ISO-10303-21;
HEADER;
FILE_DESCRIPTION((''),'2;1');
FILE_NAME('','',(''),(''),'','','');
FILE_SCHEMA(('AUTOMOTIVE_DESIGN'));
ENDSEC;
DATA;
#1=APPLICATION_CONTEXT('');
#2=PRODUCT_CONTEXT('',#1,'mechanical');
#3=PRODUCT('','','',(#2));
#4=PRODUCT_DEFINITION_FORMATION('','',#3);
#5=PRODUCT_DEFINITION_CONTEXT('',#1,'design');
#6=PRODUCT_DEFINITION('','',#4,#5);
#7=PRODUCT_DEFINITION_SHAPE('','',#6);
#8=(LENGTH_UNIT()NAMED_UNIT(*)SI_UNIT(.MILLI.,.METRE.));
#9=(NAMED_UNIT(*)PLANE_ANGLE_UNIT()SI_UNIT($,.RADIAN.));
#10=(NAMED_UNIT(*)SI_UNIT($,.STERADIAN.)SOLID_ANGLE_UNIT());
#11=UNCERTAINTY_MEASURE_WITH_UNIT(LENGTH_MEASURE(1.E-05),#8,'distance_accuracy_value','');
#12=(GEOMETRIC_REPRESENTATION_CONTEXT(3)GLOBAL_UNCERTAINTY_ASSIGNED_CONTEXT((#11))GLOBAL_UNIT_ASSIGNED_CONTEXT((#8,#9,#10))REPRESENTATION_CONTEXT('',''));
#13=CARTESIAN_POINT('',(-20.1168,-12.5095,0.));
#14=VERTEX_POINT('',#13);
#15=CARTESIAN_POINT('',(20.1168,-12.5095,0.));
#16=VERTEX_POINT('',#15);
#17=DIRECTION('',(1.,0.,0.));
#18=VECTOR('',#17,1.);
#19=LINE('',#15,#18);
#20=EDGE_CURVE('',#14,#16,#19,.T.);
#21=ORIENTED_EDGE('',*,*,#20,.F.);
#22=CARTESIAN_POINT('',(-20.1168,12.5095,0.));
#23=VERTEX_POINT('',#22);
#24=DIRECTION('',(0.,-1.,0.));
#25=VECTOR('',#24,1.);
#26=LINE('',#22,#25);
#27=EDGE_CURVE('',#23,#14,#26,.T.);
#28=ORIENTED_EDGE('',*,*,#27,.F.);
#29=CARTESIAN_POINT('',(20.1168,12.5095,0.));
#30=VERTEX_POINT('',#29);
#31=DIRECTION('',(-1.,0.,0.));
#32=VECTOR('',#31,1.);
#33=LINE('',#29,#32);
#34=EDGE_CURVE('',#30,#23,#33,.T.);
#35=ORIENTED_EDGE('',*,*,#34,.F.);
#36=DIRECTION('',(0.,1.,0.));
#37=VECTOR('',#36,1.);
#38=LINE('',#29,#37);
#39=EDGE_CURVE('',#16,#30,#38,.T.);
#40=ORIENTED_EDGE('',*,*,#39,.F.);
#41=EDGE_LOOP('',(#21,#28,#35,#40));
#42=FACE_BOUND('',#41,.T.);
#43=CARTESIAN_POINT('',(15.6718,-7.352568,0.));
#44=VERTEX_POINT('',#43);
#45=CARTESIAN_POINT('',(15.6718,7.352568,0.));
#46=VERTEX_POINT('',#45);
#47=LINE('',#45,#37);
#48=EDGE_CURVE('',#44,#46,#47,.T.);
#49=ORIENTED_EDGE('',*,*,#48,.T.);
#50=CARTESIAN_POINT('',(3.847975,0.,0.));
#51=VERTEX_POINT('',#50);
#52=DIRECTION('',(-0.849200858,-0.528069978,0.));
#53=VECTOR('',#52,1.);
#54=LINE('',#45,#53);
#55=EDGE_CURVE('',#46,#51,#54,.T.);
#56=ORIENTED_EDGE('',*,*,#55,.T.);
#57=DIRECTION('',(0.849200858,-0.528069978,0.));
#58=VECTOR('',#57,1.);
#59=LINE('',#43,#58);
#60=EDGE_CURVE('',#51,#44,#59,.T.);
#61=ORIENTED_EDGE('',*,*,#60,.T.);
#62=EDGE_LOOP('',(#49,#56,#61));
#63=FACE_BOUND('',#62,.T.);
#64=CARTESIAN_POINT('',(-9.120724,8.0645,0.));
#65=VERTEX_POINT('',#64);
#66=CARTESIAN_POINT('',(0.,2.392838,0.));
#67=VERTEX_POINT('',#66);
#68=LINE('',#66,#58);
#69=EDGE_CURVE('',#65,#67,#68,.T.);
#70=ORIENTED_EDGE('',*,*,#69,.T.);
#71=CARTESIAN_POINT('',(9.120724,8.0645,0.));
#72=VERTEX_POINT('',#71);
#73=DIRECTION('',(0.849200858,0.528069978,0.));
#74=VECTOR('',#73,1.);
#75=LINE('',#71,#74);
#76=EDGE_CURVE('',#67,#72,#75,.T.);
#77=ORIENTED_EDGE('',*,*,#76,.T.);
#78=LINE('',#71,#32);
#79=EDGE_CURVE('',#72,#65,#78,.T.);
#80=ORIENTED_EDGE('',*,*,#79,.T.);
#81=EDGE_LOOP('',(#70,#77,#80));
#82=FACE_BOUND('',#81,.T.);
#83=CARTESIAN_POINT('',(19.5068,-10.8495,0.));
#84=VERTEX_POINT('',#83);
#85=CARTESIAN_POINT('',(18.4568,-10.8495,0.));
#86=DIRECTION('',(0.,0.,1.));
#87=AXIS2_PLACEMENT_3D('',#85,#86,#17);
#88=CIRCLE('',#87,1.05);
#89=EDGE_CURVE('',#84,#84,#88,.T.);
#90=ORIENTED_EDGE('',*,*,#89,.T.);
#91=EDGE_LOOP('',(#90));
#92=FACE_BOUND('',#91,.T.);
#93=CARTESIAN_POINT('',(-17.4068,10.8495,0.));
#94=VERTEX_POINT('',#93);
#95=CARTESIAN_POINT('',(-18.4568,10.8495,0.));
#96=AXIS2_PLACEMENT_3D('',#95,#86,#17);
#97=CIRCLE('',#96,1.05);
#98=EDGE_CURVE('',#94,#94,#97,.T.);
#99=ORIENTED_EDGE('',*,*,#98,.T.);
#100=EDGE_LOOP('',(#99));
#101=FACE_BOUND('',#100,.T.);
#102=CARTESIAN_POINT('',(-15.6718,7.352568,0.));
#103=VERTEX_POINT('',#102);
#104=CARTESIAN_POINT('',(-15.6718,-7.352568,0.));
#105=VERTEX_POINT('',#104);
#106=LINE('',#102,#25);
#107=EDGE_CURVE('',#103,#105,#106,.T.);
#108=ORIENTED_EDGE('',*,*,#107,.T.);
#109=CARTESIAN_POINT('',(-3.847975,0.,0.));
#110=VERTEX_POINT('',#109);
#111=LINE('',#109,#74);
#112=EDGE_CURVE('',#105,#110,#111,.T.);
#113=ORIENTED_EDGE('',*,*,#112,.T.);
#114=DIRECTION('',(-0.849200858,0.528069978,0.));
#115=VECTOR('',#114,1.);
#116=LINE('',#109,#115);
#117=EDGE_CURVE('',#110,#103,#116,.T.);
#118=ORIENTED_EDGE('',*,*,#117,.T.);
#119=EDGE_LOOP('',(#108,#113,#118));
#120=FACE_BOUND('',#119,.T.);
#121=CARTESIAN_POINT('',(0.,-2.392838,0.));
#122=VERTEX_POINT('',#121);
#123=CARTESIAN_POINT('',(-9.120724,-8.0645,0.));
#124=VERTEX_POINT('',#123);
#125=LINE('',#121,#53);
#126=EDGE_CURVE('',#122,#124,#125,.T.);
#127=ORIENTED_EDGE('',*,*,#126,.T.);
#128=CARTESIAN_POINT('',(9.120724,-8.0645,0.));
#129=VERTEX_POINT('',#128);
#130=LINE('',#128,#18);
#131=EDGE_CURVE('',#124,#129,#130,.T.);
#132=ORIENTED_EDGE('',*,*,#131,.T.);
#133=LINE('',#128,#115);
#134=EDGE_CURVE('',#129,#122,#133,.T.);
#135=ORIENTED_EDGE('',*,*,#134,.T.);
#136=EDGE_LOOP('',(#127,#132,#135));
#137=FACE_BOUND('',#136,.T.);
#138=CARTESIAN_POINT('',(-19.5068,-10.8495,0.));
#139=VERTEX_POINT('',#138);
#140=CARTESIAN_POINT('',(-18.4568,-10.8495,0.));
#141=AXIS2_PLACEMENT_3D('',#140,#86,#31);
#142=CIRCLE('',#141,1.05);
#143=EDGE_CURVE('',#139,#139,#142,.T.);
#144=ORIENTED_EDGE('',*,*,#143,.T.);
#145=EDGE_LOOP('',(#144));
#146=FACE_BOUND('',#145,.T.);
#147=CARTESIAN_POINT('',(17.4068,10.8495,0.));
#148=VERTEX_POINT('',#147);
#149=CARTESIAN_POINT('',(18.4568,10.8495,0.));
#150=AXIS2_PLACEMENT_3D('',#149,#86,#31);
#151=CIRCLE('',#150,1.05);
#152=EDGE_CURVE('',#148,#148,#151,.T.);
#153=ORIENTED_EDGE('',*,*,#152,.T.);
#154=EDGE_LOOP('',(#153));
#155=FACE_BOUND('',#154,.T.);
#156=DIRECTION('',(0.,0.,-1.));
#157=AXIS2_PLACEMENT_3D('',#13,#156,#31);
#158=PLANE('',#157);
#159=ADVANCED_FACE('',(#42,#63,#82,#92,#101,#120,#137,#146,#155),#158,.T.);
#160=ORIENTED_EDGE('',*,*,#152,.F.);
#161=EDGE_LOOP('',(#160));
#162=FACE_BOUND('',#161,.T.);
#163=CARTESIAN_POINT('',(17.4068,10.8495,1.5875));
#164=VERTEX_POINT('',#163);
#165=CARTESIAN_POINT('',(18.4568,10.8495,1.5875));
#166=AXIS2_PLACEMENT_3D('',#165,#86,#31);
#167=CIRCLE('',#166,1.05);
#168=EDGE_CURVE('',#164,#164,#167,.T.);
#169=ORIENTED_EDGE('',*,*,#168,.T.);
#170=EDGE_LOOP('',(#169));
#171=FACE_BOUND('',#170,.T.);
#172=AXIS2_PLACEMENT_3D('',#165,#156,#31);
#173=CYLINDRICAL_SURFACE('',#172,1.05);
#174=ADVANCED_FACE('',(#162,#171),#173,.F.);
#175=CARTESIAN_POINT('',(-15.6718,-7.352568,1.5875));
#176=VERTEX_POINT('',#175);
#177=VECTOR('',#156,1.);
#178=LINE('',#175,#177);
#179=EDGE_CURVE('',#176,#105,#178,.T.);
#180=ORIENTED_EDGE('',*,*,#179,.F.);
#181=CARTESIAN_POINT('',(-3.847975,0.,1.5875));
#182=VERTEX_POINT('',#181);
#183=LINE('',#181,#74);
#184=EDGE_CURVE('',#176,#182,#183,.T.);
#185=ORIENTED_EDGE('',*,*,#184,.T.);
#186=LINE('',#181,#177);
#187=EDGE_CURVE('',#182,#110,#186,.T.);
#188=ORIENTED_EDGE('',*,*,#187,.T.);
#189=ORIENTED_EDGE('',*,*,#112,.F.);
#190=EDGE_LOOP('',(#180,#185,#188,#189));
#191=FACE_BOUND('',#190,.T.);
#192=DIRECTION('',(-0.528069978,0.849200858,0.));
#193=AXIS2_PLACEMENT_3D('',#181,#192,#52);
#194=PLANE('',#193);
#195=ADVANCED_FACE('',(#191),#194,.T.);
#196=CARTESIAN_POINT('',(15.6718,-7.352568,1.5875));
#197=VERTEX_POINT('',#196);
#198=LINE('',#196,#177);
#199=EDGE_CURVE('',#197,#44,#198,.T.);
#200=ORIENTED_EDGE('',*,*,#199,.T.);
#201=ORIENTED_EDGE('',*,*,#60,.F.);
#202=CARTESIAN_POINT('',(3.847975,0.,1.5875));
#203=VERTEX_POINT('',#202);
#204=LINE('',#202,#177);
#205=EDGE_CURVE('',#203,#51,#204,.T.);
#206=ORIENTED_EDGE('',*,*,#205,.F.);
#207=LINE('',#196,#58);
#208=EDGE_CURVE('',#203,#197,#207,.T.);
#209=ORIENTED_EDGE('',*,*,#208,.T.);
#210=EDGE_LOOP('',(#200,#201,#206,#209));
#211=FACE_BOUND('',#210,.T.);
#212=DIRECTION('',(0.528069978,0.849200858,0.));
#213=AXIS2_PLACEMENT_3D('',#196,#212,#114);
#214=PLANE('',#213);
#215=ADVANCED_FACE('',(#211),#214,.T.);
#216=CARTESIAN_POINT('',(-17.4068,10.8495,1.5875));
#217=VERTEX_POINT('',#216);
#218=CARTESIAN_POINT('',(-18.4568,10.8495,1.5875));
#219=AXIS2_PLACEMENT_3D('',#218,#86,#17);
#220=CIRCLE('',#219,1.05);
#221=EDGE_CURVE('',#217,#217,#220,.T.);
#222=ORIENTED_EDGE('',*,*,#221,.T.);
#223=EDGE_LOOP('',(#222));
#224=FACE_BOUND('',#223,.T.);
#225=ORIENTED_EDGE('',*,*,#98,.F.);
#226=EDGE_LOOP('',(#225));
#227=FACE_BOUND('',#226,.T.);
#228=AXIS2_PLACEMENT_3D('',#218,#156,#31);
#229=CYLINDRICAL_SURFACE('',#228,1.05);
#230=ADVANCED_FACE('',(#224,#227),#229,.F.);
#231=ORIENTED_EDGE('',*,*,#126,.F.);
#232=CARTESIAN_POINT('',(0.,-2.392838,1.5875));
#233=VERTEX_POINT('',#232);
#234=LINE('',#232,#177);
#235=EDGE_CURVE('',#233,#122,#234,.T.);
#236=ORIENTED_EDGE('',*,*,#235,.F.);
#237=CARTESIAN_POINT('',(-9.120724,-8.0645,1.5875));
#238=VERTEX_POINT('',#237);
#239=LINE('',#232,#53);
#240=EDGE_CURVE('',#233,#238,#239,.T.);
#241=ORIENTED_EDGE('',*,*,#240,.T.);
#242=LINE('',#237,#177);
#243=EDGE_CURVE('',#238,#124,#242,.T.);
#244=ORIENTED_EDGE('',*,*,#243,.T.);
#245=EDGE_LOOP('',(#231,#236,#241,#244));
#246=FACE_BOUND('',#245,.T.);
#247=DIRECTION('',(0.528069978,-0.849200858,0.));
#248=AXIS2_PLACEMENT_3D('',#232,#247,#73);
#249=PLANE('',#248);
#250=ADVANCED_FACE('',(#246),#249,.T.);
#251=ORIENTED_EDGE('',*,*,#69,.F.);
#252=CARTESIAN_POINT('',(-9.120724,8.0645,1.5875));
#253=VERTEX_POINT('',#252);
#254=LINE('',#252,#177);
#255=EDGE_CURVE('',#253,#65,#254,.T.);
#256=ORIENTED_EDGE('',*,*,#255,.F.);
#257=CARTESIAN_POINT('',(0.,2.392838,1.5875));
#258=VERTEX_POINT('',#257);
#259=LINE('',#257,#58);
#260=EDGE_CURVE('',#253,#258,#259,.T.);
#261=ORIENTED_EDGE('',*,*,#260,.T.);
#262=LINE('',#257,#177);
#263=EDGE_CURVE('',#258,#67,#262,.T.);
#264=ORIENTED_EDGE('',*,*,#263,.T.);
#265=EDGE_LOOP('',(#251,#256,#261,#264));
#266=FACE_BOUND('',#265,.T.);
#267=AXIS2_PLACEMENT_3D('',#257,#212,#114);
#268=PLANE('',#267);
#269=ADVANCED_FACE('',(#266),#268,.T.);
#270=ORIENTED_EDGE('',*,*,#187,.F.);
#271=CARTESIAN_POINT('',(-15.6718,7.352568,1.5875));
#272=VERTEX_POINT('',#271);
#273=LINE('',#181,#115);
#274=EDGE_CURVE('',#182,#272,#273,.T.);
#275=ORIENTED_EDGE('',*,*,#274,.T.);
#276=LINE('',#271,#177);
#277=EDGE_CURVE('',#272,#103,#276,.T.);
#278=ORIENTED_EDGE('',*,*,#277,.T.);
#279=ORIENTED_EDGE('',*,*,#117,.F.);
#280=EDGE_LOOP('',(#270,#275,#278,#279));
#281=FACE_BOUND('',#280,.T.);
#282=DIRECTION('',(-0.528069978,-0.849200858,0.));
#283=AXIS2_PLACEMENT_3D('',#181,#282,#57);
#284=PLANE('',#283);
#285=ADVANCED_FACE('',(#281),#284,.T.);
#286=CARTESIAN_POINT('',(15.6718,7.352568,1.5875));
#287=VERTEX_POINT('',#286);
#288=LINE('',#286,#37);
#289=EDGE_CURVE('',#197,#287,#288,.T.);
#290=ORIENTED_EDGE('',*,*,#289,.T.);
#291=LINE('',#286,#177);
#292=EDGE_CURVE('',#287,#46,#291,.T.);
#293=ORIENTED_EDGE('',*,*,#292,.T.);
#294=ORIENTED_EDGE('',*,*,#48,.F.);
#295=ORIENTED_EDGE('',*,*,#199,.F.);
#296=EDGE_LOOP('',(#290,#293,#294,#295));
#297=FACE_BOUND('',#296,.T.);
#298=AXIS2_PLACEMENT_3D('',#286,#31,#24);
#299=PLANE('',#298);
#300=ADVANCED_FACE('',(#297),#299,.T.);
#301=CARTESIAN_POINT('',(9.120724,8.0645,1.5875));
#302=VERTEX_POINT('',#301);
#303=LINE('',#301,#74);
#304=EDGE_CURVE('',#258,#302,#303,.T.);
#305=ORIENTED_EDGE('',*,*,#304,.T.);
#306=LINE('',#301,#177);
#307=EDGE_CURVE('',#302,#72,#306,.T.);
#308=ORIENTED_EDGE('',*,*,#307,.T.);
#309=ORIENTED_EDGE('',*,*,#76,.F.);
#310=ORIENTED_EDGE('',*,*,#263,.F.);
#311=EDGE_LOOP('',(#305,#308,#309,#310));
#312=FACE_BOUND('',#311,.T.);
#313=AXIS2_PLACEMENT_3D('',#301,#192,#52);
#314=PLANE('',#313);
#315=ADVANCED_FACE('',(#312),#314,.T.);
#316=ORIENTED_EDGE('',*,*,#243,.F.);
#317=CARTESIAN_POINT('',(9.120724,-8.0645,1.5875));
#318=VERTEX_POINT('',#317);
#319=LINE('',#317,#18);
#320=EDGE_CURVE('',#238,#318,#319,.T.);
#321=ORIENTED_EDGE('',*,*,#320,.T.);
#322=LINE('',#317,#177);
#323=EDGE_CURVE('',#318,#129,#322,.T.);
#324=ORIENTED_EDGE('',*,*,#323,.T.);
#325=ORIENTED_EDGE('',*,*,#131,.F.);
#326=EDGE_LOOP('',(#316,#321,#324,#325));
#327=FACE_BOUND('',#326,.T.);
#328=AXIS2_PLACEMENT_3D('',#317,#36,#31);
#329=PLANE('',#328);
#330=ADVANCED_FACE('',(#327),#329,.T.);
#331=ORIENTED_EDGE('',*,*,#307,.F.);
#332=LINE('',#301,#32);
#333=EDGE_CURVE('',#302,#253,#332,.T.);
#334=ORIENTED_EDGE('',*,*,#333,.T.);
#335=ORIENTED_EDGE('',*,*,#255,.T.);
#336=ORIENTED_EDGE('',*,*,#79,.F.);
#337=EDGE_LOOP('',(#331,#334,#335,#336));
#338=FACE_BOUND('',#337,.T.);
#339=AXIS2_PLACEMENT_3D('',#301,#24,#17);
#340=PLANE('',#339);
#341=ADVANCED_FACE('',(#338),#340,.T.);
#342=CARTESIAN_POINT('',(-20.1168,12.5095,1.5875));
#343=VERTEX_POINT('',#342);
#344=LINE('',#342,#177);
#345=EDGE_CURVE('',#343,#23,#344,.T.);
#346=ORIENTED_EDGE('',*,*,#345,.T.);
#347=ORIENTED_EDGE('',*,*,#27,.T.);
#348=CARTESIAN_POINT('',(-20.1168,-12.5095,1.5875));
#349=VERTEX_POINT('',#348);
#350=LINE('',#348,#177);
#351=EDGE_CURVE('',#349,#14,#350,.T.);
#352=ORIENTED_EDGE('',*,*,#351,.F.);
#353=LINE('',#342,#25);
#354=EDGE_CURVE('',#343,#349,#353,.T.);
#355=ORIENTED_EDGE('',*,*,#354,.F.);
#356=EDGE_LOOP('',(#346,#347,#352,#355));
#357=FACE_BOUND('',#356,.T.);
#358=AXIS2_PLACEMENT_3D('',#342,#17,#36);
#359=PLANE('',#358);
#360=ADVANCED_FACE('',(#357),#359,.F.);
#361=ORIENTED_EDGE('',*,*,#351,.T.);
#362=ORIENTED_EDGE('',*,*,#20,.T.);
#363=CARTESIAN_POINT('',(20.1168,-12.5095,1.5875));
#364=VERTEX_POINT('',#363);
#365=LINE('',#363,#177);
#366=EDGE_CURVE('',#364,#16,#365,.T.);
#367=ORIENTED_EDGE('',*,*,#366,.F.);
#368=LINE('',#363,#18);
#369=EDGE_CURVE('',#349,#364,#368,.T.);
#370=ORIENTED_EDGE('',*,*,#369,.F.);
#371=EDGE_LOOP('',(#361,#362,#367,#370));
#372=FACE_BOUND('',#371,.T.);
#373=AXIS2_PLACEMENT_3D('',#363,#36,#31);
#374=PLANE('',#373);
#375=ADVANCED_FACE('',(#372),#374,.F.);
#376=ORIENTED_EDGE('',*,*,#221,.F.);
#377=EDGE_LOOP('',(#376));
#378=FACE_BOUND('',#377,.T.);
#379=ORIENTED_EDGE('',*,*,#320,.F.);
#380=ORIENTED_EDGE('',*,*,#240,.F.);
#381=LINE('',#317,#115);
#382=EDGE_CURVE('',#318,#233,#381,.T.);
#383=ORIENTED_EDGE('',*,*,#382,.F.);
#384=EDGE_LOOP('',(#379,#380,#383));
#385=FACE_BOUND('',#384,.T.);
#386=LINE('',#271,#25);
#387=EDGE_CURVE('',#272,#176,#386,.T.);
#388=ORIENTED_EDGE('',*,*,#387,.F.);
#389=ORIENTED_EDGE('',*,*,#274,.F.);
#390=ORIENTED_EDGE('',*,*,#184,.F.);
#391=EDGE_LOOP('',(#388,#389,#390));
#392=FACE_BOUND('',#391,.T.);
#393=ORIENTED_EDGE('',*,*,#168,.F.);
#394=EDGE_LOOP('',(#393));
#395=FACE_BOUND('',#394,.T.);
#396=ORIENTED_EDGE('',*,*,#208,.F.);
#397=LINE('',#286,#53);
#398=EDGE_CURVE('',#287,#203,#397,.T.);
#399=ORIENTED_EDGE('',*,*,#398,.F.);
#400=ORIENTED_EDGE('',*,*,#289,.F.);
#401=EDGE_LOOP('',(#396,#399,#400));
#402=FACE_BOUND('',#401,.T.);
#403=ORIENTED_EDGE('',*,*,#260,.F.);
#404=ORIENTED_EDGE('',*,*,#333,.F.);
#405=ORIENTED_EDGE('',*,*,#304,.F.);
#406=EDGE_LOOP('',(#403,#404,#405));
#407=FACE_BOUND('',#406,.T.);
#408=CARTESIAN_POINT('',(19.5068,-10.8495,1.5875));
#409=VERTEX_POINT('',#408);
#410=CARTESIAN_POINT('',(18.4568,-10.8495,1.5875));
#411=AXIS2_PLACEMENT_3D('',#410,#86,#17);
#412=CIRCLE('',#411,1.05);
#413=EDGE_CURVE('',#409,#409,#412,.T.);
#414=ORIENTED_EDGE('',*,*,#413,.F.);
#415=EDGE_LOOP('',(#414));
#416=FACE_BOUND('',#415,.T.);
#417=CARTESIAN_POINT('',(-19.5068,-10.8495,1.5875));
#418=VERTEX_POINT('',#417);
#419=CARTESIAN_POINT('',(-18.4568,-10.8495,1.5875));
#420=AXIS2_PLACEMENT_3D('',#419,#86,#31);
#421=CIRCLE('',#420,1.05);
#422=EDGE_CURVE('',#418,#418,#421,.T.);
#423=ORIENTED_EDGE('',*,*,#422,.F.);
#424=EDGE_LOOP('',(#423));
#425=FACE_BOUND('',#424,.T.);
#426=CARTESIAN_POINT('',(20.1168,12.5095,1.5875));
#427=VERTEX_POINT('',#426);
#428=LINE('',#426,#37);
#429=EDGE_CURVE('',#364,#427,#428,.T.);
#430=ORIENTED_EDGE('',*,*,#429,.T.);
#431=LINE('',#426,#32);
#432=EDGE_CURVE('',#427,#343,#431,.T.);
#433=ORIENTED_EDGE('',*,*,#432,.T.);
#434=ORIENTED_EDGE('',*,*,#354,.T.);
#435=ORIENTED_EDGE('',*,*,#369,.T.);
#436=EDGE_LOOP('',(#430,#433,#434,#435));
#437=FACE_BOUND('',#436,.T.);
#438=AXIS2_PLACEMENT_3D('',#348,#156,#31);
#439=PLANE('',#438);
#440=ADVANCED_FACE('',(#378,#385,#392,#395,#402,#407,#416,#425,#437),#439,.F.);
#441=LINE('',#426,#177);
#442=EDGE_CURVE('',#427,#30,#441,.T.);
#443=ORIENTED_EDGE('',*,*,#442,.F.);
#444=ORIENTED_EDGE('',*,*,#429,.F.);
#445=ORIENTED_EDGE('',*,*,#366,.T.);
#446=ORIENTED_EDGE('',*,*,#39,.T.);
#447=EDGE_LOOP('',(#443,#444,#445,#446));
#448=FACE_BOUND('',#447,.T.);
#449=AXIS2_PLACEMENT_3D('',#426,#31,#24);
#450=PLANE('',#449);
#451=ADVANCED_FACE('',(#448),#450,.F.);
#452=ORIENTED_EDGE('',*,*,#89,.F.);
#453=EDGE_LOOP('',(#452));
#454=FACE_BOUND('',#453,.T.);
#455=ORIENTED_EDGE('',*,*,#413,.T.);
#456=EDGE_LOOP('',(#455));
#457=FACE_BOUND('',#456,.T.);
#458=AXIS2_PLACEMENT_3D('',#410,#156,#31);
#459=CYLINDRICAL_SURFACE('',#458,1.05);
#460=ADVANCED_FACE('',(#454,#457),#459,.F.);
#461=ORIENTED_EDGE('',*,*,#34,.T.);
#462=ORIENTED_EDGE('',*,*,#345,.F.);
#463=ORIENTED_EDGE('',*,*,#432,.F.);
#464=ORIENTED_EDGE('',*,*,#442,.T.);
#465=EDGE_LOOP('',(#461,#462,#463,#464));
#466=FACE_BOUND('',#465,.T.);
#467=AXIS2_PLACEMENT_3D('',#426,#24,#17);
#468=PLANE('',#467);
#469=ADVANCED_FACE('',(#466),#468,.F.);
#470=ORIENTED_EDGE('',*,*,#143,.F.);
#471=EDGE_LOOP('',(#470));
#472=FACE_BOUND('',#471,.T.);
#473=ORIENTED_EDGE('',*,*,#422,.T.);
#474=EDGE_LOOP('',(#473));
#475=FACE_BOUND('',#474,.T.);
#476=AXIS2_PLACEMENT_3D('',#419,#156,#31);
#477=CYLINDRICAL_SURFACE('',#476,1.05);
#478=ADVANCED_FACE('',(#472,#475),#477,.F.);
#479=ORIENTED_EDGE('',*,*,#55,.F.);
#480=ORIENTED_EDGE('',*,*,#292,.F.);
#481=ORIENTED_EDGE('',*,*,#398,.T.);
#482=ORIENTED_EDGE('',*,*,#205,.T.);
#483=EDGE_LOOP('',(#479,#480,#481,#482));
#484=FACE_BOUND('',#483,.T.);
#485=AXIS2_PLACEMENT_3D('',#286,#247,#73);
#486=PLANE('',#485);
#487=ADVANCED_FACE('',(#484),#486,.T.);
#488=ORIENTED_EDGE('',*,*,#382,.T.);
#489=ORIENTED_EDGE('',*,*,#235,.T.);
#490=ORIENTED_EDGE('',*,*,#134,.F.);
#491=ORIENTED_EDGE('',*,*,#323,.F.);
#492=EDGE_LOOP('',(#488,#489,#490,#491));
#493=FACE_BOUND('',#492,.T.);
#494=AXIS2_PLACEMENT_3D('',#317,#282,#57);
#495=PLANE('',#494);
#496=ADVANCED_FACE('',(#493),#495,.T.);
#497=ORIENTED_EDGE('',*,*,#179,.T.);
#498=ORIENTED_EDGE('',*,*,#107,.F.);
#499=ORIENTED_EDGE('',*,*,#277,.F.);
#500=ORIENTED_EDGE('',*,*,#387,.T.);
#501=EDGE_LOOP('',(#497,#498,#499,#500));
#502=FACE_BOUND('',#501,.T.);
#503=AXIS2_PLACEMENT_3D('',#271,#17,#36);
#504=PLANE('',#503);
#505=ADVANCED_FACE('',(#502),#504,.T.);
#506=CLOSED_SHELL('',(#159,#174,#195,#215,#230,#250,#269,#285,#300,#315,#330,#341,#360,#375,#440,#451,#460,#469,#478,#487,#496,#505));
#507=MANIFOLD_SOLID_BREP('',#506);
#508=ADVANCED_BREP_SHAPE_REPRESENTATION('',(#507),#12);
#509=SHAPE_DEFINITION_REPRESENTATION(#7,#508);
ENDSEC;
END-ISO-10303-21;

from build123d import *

# Parameters (mm, degrees)
SKETCH2_W           = 40.2336
SKETCH2_H           = 25.019
SKETCH2_R           = 1.05
BOSS_EXTRUDE1_DEPTH = 1.5875


with BuildPart() as part:
    # Sketch2 → Boss-Extrude1 (new body)
    with BuildSketch(Plane.XY):
        Rectangle(SKETCH2_W, SKETCH2_H)
        with Locations((-18.4568, 10.8495)):
            Circle(SKETCH2_R, mode=Mode.SUBTRACT)
        with Locations(Location((-18.4568, -10.8495, 0), (0, 0, 180))):
            Circle(SKETCH2_R, mode=Mode.SUBTRACT)
        with Locations((18.4568, -10.8495)):
            Circle(SKETCH2_R, mode=Mode.SUBTRACT)
        with Locations(Location((18.4568, 10.8495, 0), (0, 0, 180))):
            Circle(SKETCH2_R, mode=Mode.SUBTRACT)
        Polygon((15.6718, -7.352568033), (3.847974859, 0), (15.6718, 7.352568033), align=None, mode=Mode.SUBTRACT)
        Polygon((9.120723619, -8.0645), (0, -2.392837901), (-9.120723619, -8.0645), align=None, mode=Mode.SUBTRACT)
        Polygon((9.120723619, 8.0645), (-9.120723619, 8.0645), (0, 2.392837901), align=None, mode=Mode.SUBTRACT)
        Polygon((-15.6718, 7.352568033), (-15.6718, -7.352568033), (-3.847974859, 0), align=None, mode=Mode.SUBTRACT)
    extrude(amount=BOSS_EXTRUDE1_DEPTH)


solid = part.part
